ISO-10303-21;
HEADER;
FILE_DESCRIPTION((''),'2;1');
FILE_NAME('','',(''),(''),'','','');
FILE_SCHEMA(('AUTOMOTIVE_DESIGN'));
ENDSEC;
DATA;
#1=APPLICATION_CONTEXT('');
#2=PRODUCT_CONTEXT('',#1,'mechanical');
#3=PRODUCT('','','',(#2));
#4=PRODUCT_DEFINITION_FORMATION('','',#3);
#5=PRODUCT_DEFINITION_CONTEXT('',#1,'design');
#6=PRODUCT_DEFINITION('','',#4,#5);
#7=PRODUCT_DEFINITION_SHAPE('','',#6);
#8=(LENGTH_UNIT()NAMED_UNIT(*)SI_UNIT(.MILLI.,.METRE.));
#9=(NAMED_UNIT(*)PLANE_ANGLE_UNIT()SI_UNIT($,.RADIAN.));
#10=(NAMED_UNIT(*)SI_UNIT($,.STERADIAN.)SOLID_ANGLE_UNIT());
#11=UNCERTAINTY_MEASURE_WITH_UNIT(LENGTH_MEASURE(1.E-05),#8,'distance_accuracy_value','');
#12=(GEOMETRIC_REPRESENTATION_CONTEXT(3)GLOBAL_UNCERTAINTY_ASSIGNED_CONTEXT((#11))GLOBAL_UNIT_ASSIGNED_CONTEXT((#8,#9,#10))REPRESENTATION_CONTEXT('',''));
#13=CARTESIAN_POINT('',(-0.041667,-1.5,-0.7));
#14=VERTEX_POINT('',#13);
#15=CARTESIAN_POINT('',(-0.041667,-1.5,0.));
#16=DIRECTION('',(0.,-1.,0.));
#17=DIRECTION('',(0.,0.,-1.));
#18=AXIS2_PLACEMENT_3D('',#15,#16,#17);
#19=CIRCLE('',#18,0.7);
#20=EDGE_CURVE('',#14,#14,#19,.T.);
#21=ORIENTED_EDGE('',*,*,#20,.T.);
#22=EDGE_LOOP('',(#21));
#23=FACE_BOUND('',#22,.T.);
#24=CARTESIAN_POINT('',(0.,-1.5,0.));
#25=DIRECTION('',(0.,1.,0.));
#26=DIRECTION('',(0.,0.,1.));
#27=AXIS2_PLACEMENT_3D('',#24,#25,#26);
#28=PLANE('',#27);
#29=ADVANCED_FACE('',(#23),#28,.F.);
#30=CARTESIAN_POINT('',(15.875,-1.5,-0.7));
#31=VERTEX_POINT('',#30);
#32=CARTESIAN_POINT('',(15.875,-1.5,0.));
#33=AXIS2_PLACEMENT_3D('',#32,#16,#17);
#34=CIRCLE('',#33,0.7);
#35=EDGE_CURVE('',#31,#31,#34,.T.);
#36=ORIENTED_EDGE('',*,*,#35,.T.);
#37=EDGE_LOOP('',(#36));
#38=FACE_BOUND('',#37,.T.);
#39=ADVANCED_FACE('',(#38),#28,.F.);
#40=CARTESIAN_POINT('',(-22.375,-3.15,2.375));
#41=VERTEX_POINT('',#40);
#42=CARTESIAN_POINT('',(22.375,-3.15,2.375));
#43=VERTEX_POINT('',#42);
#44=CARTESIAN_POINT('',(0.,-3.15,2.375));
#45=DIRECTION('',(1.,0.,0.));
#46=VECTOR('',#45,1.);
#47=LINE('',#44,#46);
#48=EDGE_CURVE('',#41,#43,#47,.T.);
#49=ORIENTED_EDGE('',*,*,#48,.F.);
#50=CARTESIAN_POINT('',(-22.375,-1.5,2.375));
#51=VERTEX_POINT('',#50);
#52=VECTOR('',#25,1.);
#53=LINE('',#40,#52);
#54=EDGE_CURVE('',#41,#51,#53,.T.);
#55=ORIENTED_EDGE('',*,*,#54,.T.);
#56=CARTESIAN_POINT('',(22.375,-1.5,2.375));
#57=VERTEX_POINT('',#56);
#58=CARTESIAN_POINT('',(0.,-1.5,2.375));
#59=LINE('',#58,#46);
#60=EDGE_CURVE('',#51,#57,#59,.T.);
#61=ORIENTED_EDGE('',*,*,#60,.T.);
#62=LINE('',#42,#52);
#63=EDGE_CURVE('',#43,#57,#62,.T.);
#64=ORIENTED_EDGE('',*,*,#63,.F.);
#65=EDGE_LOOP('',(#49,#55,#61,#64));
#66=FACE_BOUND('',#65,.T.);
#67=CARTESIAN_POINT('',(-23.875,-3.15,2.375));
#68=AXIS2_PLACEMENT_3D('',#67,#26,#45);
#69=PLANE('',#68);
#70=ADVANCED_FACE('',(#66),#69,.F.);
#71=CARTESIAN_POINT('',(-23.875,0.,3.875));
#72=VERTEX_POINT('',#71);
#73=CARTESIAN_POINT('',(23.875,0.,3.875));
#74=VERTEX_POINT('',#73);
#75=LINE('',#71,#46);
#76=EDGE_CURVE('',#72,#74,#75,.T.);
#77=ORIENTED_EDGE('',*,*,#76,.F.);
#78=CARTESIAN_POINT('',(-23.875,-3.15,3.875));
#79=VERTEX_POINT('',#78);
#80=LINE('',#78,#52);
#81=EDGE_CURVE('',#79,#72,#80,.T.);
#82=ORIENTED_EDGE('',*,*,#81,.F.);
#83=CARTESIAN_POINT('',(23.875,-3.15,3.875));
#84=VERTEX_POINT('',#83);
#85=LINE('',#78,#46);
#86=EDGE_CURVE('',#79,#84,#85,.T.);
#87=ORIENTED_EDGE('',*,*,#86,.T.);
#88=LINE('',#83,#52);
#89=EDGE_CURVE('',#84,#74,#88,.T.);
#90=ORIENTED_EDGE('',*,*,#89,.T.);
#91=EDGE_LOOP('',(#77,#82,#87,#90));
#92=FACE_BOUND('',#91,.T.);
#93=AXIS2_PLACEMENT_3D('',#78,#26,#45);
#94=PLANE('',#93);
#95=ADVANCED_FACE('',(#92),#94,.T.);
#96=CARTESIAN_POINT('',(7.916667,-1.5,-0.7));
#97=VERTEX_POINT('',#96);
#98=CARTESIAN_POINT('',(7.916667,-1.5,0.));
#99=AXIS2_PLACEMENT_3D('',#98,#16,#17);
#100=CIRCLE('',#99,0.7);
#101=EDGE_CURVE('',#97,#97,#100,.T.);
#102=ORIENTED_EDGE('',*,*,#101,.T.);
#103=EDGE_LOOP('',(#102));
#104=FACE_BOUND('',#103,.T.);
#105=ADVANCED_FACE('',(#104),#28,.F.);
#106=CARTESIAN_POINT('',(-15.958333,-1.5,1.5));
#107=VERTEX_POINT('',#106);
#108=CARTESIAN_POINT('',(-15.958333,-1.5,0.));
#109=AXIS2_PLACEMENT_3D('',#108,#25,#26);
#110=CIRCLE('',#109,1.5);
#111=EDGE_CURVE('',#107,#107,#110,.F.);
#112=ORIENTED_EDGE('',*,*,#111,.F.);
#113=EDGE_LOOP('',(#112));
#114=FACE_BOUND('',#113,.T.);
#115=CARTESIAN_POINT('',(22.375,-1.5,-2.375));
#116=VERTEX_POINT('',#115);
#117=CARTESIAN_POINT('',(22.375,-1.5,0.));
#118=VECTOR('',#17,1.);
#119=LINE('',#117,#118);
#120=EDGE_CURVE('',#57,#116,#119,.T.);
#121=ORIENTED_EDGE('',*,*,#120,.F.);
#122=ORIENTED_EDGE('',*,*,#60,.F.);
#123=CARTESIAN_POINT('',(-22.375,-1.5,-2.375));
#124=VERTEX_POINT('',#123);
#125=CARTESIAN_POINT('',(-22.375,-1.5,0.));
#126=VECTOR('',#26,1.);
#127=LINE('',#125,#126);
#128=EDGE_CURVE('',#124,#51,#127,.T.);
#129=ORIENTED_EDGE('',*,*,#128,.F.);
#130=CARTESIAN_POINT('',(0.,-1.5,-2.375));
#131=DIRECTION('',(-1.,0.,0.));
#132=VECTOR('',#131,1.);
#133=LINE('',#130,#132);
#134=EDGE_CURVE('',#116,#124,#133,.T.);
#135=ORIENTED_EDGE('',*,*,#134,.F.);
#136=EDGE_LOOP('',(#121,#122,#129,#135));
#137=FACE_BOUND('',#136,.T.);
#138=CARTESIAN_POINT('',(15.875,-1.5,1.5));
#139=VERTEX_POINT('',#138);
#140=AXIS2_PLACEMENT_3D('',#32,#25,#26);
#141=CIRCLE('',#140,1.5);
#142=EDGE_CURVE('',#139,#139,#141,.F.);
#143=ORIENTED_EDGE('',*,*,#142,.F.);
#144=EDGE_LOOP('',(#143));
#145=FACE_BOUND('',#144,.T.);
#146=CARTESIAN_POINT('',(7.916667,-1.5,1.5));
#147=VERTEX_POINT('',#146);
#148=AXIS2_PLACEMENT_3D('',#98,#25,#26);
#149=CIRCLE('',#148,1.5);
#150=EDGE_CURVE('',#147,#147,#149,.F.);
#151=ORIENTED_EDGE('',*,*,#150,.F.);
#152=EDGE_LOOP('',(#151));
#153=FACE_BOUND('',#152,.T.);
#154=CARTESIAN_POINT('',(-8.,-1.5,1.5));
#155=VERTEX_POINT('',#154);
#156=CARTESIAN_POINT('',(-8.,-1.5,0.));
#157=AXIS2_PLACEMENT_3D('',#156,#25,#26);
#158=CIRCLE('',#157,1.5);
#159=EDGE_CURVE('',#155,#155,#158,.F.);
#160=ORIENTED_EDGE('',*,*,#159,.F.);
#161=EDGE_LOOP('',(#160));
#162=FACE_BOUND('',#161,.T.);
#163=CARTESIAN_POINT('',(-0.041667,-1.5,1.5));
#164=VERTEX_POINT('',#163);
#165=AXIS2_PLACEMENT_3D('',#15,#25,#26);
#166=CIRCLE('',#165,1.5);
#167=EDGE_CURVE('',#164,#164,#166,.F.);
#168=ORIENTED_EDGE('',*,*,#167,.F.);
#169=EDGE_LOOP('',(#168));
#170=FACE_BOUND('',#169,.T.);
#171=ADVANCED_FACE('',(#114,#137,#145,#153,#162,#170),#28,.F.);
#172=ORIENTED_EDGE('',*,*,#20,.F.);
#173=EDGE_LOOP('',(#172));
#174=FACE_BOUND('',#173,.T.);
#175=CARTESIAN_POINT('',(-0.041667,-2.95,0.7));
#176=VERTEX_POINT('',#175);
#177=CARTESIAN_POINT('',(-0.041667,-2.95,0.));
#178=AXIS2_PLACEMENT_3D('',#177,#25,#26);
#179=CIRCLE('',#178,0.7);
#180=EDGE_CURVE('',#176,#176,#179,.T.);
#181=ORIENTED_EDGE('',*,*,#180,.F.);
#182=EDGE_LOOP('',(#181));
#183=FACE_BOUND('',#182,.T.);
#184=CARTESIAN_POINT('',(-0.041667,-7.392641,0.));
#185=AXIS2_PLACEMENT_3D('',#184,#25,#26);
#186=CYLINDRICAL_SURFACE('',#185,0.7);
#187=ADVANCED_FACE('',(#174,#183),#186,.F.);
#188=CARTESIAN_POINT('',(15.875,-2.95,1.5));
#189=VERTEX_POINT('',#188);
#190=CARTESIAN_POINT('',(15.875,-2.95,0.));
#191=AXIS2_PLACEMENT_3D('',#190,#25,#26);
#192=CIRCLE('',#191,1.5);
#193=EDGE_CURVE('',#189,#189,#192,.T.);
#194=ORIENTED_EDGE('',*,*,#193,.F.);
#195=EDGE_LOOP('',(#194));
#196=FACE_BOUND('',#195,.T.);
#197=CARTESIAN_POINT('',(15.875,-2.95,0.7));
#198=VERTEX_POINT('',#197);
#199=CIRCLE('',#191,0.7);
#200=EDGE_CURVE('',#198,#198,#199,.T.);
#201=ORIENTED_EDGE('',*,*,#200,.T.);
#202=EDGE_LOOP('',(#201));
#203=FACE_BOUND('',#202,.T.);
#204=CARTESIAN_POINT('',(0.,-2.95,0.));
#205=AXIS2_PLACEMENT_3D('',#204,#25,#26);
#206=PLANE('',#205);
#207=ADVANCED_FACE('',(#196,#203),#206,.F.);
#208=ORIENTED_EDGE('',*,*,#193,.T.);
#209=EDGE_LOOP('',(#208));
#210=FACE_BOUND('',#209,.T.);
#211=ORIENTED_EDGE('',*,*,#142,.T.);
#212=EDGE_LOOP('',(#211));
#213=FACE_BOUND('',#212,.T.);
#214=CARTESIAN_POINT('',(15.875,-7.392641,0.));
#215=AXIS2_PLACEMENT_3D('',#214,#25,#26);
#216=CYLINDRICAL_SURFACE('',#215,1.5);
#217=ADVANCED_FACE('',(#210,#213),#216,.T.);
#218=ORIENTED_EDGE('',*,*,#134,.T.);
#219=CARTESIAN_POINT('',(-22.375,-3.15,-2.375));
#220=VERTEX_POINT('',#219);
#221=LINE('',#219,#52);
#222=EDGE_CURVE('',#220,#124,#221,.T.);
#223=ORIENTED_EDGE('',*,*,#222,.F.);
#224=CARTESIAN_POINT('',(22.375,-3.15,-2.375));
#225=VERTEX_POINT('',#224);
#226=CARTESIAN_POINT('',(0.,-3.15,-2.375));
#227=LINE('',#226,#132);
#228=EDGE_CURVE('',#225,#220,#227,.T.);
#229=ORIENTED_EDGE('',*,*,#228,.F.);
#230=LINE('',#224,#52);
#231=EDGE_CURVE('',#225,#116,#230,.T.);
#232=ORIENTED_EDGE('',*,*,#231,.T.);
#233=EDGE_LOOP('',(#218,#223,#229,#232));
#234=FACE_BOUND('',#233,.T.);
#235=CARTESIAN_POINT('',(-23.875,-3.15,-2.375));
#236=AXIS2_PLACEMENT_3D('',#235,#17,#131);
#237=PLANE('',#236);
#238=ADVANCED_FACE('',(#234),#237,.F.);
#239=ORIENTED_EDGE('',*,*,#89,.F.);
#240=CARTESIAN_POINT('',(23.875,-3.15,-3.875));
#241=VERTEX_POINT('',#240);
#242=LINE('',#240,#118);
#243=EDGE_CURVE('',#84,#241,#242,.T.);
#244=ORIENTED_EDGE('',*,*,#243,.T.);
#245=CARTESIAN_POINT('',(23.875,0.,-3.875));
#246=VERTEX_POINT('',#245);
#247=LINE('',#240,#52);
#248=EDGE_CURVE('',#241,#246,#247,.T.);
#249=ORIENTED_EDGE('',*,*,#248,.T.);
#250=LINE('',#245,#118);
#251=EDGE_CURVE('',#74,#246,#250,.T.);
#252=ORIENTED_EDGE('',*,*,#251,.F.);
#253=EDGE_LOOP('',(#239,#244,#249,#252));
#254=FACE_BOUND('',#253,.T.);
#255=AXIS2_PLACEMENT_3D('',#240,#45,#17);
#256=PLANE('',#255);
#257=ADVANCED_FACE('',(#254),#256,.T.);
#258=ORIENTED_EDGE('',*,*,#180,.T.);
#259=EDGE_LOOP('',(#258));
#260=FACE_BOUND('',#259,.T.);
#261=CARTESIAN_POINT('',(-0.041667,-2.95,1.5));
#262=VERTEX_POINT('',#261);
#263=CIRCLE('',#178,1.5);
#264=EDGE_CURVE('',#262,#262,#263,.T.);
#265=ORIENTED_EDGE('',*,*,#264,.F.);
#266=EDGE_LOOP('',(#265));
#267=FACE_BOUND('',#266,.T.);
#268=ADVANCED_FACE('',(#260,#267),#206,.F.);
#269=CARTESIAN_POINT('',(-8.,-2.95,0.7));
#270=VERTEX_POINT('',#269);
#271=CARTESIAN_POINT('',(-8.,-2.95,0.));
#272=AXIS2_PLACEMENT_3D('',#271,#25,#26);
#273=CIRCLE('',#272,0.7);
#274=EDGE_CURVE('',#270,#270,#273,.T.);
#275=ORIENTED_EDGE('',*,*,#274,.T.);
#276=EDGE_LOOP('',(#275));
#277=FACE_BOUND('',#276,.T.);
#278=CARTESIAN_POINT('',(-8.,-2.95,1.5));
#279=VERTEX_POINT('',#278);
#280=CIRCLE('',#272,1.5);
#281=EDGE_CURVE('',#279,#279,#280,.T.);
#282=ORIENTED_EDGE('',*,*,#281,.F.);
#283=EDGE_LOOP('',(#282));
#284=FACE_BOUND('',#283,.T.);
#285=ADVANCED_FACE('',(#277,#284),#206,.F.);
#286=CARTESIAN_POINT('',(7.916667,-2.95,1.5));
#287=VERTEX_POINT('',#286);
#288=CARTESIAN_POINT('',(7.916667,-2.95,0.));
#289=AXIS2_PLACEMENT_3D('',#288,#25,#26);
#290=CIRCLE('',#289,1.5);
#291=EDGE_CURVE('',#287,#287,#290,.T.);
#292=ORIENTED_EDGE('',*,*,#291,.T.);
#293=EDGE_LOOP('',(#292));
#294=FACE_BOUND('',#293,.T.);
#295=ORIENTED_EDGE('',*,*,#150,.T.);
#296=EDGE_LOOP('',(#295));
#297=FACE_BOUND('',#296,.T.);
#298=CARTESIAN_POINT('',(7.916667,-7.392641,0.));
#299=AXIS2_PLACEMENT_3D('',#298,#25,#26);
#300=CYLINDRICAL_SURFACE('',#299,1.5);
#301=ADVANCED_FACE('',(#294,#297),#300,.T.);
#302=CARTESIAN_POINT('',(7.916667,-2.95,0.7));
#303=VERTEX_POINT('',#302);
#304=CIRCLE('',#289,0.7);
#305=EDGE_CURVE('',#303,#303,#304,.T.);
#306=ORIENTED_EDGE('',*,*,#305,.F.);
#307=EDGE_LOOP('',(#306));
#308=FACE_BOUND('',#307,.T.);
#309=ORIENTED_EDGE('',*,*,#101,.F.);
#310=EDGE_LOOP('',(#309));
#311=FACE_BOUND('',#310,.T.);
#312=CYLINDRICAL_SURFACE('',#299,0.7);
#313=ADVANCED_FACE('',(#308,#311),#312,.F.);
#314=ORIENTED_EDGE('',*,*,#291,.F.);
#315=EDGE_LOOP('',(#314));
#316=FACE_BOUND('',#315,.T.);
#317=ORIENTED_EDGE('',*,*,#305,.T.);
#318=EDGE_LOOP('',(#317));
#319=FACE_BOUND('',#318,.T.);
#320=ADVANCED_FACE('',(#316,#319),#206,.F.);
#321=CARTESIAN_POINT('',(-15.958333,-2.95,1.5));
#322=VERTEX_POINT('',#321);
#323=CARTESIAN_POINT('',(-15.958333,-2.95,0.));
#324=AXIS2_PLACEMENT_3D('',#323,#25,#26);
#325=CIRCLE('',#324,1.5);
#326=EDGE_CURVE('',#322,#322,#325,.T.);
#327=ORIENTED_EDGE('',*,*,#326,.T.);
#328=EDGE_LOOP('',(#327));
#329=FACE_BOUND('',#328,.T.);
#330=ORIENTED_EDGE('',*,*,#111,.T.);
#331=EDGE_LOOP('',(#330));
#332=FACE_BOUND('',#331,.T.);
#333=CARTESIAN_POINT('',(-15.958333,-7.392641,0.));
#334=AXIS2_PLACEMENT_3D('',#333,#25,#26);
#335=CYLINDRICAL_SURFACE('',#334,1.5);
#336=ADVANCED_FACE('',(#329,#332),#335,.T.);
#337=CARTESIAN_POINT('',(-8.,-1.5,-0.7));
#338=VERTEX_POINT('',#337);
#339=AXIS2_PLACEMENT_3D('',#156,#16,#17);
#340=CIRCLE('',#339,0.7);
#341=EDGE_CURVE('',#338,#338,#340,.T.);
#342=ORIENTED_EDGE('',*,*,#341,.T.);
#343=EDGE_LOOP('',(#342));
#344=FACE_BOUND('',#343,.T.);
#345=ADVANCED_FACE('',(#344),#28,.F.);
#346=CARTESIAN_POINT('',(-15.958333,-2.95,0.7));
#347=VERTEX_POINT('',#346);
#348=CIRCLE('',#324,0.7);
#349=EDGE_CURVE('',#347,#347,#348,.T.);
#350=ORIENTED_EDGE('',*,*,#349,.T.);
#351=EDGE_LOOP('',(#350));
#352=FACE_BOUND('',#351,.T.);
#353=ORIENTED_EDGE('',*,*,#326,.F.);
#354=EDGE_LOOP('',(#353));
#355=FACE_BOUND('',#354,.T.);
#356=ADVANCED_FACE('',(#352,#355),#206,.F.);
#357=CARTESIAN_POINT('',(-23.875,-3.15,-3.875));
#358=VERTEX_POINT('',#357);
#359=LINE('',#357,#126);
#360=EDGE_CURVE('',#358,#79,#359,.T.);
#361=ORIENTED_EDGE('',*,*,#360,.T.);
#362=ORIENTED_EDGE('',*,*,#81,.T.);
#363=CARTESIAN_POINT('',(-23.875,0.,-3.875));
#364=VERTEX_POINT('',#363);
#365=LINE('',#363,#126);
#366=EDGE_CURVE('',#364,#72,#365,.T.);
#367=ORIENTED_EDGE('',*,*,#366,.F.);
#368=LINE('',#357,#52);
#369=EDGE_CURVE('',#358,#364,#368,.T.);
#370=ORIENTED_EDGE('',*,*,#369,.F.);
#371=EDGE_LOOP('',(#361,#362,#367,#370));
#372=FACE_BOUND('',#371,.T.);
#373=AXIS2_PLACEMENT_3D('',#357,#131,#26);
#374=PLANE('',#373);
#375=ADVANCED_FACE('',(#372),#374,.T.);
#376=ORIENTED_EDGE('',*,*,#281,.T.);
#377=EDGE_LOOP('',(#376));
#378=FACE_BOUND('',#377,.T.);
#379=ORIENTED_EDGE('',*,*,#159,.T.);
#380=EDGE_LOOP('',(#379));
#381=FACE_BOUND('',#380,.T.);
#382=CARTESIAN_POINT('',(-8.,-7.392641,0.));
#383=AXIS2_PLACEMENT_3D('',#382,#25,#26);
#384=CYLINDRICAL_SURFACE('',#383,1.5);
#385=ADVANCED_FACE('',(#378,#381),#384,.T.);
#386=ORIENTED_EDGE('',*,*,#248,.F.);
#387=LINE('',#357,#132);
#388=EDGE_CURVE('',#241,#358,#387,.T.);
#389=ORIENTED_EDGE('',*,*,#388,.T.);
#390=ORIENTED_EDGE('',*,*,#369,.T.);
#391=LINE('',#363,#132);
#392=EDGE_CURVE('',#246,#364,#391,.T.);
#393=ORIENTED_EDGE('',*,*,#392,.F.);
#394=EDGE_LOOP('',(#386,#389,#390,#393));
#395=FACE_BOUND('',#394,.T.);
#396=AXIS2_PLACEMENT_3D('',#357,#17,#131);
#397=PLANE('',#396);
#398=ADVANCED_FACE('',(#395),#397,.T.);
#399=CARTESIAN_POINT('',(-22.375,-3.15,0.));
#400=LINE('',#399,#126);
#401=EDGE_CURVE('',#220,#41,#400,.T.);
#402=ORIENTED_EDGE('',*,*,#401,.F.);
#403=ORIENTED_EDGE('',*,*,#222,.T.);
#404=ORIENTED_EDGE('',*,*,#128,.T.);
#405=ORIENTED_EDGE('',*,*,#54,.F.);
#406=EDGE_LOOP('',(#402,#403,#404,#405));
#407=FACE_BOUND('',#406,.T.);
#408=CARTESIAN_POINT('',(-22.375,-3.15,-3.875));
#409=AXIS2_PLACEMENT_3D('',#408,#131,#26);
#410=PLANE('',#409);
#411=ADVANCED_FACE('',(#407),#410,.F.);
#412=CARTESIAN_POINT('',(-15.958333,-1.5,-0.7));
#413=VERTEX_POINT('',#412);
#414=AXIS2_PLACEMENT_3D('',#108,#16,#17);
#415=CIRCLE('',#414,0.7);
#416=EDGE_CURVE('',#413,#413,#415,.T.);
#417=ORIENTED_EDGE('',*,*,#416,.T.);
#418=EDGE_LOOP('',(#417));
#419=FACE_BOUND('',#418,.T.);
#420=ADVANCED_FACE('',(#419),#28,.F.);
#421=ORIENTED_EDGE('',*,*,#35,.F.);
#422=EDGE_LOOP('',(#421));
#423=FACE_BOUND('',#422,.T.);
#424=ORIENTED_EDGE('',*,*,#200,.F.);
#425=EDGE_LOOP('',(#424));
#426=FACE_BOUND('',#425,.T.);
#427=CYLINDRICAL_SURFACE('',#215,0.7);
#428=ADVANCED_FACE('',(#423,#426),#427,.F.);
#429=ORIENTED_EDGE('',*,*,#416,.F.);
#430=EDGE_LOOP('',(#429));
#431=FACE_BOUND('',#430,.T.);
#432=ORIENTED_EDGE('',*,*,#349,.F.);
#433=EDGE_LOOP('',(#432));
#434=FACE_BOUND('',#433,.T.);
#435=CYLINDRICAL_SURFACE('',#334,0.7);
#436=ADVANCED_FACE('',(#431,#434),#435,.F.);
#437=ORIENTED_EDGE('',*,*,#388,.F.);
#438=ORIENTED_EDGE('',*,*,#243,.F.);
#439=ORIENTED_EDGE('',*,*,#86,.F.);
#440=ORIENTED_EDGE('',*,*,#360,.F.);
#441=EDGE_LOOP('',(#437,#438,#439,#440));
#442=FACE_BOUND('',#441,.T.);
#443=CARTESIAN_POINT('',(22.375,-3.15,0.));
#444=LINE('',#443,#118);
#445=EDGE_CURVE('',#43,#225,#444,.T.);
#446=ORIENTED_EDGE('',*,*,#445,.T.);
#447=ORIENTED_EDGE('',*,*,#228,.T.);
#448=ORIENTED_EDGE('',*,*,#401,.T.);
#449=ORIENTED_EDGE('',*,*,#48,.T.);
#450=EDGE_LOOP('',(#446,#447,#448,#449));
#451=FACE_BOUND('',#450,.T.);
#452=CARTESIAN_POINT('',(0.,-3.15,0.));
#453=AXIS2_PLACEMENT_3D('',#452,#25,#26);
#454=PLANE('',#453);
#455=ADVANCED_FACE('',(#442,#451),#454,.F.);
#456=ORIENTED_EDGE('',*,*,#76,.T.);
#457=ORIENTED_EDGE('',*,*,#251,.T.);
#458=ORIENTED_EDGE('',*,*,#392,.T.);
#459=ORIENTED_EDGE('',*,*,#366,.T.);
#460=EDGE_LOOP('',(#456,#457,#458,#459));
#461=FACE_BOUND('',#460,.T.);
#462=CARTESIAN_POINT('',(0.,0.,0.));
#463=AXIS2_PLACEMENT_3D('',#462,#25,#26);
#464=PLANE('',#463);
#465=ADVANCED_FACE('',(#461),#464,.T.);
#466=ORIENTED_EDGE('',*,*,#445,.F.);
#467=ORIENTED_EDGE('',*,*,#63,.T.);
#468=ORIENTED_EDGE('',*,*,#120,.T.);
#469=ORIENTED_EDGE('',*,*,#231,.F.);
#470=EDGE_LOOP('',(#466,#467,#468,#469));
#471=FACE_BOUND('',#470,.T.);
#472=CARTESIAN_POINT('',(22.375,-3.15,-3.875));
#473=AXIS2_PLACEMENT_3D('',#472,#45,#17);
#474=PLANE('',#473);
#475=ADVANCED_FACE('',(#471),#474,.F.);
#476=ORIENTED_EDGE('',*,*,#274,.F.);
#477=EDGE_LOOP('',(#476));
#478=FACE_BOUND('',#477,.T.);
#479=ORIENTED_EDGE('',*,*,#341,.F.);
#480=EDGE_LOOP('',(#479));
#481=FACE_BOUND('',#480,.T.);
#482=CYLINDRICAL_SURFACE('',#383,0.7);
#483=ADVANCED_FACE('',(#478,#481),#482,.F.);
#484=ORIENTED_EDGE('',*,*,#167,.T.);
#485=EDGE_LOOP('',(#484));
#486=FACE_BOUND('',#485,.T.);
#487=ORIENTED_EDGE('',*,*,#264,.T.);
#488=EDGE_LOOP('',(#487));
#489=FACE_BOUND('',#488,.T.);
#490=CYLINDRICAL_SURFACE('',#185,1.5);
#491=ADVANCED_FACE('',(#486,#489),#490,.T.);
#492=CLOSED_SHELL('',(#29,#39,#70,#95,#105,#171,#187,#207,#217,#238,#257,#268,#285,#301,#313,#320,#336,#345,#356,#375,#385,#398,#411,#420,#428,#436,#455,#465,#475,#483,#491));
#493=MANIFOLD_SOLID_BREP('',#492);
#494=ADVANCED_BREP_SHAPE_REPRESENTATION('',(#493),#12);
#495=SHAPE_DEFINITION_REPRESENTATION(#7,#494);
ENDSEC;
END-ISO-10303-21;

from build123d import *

# Parameters (mm, degrees)
SKETCH1_W           = 47.75
SKETCH1_H           = 7.75
BOSS_EXTRUDE1_DEPTH = 3.15
SHELL1_T            = -1.5
SKETCH2_R           = 1.5
SKETCH2_R_2         = 0.7
BOSS_EXTRUDE2_DEPTH = 1.45


with BuildPart() as part:
    # Sketch1 → Boss-Extrude1 (new body)
    with BuildSketch(Plane(origin=(0, 0, 0), x_dir=(1, 0, 0), z_dir=(0, 1, 0))):
        Rectangle(SKETCH1_W, SKETCH1_H)
    extrude(amount=-BOSS_EXTRUDE1_DEPTH)

    # Shell1
    shell1_openings = [part.faces().sort_by_distance(p)[0] for p in [
        (0, -3.15, 0),
    ]]
    offset(amount=SHELL1_T, openings=shell1_openings, kind=Kind.INTERSECTION)

    # Sketch2 → Boss-Extrude2 (add)
    # profile 1 of 5: a face of its own
    with BuildSketch(Plane.XZ.offset(1.5)):
        with Locations(Location((-15.958333333, 0, 0), (0, 0, 90))):
            Circle(SKETCH2_R)
        with Locations(Location((-15.958333333, 0, 0), (0, 0, 90))):
            Circle(SKETCH2_R_2, mode=Mode.SUBTRACT)
    # profile 2 of 5: a face of its own
    with BuildSketch(Plane.XZ.offset(1.5)):
        with Locations(Location((-8, 0, 0), (0, 0, 90))):
            Circle(SKETCH2_R)
        with Locations(Location((-8, 0, 0), (0, 0, 90))):
            Circle(SKETCH2_R_2, mode=Mode.SUBTRACT)
    # profile 3 of 5: a face of its own
    with BuildSketch(Plane.XZ.offset(1.5)):
        with Locations(Location((-0.041666667, 0, 0), (0, 0, 90))):
            Circle(SKETCH2_R)
        with Locations(Location((-0.041666667, 0, 0), (0, 0, 90))):
            Circle(SKETCH2_R_2, mode=Mode.SUBTRACT)
    # profile 4 of 5: a face of its own
    with BuildSketch(Plane.XZ.offset(1.5)):
        with Locations(Location((7.916666667, 0, 0), (0, 0, 90))):
            Circle(SKETCH2_R)
        with Locations(Location((7.916666667, 0, 0), (0, 0, 90))):
            Circle(SKETCH2_R_2, mode=Mode.SUBTRACT)
    # profile 5 of 5: a face of its own
    with BuildSketch(Plane.XZ.offset(1.5)):
        with Locations(Location((15.875, 0, 0), (0, 0, 90))):
            Circle(SKETCH2_R)
        with Locations(Location((15.875, 0, 0), (0, 0, 90))):
            Circle(SKETCH2_R_2, mode=Mode.SUBTRACT)
    extrude(amount=BOSS_EXTRUDE2_DEPTH)


solid = part.part
